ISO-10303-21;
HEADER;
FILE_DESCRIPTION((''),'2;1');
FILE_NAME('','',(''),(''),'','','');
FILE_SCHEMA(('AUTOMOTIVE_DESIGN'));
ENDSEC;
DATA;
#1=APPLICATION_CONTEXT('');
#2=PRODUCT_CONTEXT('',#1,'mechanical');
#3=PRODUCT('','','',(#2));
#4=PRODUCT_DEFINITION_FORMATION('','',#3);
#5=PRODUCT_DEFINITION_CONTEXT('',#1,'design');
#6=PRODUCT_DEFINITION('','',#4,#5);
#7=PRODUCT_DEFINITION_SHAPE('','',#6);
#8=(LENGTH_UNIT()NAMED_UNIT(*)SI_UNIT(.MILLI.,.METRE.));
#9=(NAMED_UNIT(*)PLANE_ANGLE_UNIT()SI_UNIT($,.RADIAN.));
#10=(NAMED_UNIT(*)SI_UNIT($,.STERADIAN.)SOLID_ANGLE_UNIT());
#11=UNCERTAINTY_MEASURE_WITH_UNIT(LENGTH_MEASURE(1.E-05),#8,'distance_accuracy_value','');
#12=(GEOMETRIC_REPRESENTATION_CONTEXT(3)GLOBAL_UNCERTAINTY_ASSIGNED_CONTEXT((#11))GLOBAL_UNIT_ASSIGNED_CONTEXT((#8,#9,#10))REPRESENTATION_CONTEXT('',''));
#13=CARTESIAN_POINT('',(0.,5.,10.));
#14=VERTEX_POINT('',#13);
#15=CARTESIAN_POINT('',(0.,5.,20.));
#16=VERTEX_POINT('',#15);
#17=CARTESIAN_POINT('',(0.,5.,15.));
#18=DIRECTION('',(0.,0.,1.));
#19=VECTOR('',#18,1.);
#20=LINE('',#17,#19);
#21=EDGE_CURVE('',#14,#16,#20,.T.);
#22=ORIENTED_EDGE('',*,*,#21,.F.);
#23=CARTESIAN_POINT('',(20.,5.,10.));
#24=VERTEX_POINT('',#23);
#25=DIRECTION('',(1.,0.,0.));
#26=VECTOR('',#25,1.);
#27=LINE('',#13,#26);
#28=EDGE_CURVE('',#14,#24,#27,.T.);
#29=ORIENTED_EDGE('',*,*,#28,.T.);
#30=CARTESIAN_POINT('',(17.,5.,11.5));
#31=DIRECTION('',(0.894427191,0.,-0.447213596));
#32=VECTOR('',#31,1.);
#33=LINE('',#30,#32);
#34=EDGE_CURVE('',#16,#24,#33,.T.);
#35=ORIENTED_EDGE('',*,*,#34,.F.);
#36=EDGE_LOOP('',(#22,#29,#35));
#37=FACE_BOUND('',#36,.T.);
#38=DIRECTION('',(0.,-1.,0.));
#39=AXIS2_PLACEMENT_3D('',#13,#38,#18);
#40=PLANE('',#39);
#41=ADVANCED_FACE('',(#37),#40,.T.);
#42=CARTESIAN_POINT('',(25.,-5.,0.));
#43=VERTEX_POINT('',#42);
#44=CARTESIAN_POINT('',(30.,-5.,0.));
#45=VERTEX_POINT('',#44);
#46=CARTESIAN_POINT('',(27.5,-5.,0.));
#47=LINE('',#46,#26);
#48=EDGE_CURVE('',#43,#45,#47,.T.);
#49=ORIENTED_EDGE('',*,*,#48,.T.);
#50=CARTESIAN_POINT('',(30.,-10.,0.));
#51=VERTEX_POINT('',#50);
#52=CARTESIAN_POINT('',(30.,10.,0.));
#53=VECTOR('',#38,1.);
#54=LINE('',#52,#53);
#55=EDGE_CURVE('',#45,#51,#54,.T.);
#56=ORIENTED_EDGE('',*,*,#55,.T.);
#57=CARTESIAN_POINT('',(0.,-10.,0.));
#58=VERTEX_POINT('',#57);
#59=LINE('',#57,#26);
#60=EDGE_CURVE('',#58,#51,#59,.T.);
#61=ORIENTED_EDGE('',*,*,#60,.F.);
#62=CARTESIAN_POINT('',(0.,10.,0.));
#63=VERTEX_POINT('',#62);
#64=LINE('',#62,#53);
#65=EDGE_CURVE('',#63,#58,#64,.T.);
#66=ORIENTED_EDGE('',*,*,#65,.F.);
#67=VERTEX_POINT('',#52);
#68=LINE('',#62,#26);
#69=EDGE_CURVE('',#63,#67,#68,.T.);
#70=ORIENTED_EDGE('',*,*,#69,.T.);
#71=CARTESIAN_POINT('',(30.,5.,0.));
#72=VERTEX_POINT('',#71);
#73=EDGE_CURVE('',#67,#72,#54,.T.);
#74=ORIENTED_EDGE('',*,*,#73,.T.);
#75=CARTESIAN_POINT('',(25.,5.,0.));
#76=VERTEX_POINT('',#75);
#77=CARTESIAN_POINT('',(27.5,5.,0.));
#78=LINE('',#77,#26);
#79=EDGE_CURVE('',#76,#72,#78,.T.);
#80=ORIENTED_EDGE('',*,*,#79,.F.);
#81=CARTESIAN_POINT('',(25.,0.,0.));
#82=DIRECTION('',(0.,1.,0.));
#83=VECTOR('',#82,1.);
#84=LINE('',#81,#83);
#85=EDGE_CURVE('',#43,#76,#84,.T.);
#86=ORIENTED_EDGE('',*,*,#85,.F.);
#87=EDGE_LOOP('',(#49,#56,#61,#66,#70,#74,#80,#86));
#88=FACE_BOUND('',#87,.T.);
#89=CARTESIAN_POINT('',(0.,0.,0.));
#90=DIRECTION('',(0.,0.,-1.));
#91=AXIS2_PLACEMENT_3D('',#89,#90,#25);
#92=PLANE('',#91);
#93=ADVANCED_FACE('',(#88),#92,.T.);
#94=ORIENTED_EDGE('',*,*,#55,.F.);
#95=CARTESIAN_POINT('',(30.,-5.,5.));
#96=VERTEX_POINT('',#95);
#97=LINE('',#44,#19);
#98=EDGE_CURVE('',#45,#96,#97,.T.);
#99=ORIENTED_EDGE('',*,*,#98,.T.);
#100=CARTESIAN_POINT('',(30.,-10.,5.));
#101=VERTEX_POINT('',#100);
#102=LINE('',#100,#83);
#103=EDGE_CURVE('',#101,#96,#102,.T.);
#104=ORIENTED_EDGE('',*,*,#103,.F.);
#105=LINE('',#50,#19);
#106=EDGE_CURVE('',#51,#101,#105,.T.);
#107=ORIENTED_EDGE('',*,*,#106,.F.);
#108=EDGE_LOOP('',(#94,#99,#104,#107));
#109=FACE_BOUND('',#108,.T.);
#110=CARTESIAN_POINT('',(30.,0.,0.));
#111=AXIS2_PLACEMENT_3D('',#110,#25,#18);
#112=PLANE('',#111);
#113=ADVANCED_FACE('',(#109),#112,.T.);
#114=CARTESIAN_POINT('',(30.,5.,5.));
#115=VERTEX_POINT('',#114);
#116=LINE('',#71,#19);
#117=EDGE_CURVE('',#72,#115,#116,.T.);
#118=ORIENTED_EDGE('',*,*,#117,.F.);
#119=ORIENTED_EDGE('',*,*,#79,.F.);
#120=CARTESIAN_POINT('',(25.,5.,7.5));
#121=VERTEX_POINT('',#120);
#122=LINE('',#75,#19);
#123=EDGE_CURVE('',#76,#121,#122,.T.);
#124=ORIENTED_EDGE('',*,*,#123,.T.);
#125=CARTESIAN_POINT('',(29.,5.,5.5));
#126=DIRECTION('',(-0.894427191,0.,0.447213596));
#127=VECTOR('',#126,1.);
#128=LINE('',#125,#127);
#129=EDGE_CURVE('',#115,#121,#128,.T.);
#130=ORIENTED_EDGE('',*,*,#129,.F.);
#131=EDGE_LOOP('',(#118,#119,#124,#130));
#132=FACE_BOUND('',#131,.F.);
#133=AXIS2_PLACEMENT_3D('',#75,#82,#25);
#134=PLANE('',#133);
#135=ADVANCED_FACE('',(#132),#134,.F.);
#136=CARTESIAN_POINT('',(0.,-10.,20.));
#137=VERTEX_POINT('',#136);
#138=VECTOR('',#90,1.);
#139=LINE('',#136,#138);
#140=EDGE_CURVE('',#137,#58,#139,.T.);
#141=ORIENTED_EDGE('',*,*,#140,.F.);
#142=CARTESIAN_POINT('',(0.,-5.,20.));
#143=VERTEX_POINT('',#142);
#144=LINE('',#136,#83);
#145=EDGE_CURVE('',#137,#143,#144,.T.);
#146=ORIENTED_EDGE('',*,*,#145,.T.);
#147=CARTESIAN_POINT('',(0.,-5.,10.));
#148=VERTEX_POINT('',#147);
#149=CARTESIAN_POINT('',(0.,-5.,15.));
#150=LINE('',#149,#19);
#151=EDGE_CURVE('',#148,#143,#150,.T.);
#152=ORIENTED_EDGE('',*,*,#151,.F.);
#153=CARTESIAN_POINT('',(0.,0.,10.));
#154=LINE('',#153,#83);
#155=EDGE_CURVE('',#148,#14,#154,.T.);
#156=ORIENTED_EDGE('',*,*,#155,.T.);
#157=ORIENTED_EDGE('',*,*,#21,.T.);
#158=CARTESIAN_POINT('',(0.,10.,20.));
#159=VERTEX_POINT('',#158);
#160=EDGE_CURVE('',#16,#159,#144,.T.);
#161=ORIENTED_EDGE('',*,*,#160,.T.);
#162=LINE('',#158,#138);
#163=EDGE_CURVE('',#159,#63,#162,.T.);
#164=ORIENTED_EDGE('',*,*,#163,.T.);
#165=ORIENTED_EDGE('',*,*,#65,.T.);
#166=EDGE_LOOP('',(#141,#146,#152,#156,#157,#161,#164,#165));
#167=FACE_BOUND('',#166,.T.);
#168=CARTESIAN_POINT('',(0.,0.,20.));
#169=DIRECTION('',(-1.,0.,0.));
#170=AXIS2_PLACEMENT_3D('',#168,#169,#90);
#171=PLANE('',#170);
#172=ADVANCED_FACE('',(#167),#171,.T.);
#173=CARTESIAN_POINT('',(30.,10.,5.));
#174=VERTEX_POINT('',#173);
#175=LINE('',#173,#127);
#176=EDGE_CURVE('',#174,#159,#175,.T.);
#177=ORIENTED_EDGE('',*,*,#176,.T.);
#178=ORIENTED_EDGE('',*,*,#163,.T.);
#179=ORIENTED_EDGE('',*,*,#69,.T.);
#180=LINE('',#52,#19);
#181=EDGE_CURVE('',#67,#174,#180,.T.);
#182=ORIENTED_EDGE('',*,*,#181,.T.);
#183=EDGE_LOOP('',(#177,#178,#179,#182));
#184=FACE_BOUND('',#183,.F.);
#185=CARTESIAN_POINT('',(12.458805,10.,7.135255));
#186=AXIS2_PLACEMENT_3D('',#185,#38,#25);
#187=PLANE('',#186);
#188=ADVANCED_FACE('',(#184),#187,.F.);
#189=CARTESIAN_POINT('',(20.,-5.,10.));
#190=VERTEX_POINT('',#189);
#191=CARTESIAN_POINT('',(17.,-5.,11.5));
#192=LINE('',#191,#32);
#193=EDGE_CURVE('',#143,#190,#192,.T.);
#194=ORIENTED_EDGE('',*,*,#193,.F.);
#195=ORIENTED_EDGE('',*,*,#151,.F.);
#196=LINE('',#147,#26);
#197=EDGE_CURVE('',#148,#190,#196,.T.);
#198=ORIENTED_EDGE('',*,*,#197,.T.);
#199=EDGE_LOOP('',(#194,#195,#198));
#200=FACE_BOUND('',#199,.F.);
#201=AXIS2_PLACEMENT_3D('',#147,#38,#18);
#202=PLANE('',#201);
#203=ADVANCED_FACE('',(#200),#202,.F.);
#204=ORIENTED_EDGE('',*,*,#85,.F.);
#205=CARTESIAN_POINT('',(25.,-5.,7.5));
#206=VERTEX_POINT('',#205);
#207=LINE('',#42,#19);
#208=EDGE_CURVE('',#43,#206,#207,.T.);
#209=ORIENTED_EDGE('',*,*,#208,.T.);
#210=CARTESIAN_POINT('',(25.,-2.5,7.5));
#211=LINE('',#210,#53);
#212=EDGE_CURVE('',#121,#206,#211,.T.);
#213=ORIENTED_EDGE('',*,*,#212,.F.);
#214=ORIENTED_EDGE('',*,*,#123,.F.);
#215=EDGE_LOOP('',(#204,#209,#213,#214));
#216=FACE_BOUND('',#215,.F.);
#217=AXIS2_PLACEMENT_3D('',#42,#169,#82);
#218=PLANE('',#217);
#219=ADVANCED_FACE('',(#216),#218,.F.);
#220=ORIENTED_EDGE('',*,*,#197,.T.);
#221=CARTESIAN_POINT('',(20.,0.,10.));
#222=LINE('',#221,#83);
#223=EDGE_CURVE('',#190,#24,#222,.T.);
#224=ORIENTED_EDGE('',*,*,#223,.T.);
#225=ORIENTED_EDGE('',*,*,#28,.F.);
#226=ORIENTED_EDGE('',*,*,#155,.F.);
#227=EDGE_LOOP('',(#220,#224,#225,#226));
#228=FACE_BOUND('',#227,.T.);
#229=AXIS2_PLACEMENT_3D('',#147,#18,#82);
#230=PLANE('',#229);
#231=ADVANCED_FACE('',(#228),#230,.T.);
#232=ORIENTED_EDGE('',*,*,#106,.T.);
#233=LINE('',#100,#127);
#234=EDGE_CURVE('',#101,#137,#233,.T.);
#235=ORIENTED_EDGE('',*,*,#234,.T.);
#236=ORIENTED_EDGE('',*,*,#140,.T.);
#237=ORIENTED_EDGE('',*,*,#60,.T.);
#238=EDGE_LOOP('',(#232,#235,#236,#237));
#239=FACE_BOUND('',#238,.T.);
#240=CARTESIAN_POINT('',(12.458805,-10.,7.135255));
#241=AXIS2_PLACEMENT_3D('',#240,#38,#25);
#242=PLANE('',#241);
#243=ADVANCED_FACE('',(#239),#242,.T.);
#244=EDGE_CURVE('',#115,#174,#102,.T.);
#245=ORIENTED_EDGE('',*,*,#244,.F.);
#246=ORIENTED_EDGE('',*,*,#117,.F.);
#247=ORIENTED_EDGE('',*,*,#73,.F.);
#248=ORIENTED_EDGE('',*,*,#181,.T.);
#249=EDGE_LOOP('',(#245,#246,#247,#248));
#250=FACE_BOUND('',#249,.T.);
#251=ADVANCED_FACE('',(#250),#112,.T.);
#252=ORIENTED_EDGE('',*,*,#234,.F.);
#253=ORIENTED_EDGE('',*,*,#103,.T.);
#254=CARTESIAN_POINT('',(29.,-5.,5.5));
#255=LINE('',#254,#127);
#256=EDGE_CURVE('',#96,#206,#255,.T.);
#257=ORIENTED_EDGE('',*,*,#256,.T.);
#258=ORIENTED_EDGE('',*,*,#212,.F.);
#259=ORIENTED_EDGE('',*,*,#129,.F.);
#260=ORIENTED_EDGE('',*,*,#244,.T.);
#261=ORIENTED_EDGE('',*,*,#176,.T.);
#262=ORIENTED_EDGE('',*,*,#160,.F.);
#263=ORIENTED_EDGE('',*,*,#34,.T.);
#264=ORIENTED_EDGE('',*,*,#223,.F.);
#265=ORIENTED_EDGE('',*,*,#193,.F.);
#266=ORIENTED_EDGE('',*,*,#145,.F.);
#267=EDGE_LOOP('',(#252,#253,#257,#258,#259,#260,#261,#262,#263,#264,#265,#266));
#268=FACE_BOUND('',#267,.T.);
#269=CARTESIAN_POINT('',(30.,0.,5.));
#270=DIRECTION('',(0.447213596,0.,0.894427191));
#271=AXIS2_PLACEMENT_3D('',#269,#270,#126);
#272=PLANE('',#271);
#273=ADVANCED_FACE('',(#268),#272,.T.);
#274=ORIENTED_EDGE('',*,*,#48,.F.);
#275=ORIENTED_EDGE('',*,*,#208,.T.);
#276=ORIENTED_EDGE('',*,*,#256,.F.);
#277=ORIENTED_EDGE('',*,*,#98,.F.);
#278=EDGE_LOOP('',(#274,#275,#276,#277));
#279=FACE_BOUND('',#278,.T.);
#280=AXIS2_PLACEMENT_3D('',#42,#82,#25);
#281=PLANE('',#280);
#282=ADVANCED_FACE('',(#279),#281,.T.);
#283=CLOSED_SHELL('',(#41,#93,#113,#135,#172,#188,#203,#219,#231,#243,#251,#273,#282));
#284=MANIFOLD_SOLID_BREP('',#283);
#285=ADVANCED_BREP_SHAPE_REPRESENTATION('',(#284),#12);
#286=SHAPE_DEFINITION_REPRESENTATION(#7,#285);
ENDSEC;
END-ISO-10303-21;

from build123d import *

# Parameters (mm, degrees)
F1_DEPTH = 10
F2_W     = 5
F2_H     = 10
F3_DEPTH = 8
F4_W     = 10
F4_H     = 10
F5_DEPTH = 20


with BuildPart() as f1:
    # F0 (on Front) → F1 (new body, symmetric)
    with BuildSketch(Plane.XZ):
        Polygon((0, 20), (0, 0), (30, 0), (30, 5), align=None)
    extrude(amount=F1_DEPTH, both=True)

    # F2 (on Top) → F3 (cut)
    with BuildSketch(Plane.XY):
        with Locations((27.5, 0)):
            Rectangle(F2_W, F2_H)
    extrude(amount=F3_DEPTH, mode=Mode.SUBTRACT)

    # F4 (on Right) → F5 (cut)
    with BuildSketch(Plane.YZ):
        with Locations((0, 15)):
            Rectangle(F4_W, F4_H)
    extrude(amount=F5_DEPTH, mode=Mode.SUBTRACT)


solid = f1.part
